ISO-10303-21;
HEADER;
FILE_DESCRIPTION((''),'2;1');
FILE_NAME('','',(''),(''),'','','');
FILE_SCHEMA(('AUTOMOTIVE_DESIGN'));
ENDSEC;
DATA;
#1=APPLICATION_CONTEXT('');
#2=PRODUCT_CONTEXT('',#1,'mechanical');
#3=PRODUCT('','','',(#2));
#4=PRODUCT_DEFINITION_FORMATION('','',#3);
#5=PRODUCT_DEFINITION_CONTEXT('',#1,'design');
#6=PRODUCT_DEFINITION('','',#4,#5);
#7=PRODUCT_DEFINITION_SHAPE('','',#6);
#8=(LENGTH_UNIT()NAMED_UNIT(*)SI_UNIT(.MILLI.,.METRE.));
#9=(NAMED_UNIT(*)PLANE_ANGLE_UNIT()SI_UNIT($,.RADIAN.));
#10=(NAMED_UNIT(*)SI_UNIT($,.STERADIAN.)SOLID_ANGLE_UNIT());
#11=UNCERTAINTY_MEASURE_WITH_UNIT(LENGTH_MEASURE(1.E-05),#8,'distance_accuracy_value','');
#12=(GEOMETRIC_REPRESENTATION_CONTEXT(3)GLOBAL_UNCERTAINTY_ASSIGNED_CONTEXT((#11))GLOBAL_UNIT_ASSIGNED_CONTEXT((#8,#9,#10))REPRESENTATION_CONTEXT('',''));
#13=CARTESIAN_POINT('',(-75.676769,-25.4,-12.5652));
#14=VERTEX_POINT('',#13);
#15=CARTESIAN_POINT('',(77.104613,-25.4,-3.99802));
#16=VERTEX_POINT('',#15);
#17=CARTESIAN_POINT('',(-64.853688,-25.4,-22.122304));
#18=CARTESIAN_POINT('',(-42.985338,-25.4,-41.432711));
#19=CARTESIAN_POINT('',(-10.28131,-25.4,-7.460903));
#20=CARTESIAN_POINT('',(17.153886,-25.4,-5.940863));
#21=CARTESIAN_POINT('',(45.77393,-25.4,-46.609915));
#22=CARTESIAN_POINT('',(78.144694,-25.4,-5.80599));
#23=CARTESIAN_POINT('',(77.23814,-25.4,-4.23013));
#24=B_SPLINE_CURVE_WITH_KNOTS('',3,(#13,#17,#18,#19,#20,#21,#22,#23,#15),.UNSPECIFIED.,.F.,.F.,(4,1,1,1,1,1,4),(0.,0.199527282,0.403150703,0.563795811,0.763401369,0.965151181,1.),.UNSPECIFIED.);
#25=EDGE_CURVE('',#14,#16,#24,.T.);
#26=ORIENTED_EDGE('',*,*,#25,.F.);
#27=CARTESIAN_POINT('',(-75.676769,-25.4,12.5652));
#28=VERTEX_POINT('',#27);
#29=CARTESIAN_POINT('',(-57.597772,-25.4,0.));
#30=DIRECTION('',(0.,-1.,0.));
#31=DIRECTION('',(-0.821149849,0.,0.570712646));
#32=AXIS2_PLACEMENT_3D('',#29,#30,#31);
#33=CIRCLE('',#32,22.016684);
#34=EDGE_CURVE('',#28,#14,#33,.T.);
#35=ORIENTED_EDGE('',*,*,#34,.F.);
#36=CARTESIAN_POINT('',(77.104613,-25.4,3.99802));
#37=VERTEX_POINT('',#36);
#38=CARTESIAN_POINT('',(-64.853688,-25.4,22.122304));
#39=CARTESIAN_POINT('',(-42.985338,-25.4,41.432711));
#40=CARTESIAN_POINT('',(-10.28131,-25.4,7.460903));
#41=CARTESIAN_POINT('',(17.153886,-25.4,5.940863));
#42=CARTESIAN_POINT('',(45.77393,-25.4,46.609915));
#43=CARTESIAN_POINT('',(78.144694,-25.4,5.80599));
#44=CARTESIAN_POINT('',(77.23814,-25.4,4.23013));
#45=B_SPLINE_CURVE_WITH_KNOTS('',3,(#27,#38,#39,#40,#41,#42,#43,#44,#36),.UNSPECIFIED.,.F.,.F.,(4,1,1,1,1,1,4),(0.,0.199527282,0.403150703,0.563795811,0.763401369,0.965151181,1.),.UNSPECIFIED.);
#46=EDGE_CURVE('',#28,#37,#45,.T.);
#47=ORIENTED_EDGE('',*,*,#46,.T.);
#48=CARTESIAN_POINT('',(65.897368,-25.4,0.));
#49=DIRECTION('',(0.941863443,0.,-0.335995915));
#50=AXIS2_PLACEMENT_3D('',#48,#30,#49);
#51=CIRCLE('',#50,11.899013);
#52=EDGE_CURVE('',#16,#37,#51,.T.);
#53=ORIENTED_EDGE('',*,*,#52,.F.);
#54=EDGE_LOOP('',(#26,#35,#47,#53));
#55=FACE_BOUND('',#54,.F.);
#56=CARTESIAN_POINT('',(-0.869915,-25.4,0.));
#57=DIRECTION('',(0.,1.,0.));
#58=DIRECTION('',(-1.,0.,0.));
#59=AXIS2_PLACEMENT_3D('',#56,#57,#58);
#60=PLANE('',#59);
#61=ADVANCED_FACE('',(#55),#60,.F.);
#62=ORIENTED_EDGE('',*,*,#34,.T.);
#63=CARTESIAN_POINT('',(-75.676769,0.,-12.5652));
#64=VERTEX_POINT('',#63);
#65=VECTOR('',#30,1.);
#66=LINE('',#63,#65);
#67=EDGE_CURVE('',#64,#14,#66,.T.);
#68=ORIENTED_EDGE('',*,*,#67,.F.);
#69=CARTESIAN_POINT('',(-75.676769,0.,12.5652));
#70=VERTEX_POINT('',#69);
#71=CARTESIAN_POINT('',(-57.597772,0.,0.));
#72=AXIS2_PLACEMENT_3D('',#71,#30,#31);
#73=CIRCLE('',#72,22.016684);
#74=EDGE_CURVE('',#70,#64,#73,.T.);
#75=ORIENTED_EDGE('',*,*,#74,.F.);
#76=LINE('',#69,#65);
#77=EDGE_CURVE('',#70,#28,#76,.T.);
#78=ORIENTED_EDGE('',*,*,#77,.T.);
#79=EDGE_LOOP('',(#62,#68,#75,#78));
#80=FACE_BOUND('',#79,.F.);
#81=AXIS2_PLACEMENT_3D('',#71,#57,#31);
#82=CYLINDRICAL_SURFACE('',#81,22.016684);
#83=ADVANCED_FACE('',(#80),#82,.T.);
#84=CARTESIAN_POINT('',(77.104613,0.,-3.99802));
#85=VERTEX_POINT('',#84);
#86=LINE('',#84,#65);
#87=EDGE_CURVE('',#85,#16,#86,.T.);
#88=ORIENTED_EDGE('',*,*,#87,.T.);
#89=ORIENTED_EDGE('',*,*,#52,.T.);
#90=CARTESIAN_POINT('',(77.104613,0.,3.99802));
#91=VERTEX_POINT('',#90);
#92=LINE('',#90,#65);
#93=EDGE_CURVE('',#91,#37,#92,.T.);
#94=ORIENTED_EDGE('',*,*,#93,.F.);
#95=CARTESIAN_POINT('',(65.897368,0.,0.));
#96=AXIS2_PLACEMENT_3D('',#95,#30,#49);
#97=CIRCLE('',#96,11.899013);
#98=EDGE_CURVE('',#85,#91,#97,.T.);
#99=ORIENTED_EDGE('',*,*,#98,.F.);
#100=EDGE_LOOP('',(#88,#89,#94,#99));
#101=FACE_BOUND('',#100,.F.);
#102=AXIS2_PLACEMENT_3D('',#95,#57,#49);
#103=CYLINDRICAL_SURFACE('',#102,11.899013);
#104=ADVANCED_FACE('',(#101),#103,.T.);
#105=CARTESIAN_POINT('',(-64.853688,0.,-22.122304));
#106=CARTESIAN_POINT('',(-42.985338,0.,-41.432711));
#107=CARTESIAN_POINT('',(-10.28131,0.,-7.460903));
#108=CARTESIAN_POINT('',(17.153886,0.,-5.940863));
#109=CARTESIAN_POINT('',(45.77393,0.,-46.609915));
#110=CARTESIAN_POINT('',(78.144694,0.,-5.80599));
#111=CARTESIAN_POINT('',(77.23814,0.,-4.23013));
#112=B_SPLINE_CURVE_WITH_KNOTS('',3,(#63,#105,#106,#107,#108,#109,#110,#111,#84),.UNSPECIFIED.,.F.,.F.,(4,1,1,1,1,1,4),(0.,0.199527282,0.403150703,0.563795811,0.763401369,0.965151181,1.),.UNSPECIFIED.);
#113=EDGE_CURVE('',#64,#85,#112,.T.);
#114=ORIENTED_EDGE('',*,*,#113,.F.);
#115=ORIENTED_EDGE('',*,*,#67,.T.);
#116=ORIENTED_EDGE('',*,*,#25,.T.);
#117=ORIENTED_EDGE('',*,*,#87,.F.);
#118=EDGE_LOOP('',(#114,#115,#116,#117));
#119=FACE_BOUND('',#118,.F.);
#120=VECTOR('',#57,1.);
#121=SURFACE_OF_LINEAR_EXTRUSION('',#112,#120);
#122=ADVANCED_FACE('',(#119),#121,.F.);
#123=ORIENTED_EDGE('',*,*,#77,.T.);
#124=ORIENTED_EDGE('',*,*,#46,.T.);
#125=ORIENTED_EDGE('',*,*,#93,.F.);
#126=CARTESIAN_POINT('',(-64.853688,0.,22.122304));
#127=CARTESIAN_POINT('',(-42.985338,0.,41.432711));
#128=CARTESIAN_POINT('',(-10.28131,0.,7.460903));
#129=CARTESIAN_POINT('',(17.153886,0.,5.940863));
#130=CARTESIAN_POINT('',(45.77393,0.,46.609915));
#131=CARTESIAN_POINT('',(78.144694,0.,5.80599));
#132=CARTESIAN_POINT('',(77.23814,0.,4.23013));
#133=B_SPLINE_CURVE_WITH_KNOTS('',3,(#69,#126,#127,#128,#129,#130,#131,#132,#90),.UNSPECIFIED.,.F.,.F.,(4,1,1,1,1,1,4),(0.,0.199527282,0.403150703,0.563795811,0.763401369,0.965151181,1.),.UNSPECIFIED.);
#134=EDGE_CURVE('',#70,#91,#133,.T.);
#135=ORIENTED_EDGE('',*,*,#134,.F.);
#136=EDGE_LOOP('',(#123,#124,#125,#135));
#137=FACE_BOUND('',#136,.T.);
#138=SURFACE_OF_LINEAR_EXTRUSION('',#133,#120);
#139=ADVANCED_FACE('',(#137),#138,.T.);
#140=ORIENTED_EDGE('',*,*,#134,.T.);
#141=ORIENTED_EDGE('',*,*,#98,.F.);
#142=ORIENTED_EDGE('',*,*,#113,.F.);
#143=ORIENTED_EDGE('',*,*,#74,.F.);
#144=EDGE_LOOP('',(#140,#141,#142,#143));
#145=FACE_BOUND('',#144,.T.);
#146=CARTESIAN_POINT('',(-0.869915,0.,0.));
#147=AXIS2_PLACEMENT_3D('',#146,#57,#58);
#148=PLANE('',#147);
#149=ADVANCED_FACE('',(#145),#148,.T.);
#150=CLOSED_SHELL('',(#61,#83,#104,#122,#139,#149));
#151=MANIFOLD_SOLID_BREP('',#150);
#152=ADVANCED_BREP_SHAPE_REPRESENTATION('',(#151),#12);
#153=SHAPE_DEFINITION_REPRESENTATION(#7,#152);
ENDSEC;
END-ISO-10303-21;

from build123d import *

# Parameters (mm, degrees)
F1_DEPTH = 25.4


with BuildPart() as f1:
    # F0 (on Front) → F1 (new body)
    with BuildSketch(Plane.XZ):
        with BuildLine():
            add(Edge.make_bspline(
                [(-75.6767690182, 12.5652002171), (-64.8536884913, 22.1223040031), (-42.9853380506, 41.4327114489), (-10.2813102873, 7.460903165), (17.1538859665, 5.9408629149), (45.7739297856, 46.60991524), (78.1446943538, 5.8059900261), (77.2381403194, 4.2301295907), (77.1046131849, 3.9980197325)],
                knots=[0, 0, 0, 0, 0.1995272819, 0.403150703, 0.563795811, 0.7634013691, 0.9651511813, 1, 1, 1, 1], degree=3))
            ThreePointArc((-75.6767690182, 12.5652002171), (-79.6144563367, 0), (-75.6767690182, -12.5652002171))
            add(Edge.make_bspline(
                [(-75.6767690182, -12.5652002171), (-64.8536884913, -22.1223040031), (-42.9853380506, -41.4327114489), (-10.2813102873, -7.460903165), (17.1538859665, -5.9408629149), (45.7739297856, -46.60991524), (78.1446943538, -5.8059900261), (77.2381403194, -4.2301295907), (77.1046131849, -3.9980197325)],
                knots=[0, 0, 0, 0, 0.1995272819, 0.403150703, 0.563795811, 0.7634013691, 0.9651511813, 1, 1, 1, 1], degree=3))
            ThreePointArc((77.1046131849, -3.9980197325), (77.796380829, 0), (77.1046131849, 3.9980197325))
        make_face()
    extrude(amount=F1_DEPTH)


solid = f1.part
